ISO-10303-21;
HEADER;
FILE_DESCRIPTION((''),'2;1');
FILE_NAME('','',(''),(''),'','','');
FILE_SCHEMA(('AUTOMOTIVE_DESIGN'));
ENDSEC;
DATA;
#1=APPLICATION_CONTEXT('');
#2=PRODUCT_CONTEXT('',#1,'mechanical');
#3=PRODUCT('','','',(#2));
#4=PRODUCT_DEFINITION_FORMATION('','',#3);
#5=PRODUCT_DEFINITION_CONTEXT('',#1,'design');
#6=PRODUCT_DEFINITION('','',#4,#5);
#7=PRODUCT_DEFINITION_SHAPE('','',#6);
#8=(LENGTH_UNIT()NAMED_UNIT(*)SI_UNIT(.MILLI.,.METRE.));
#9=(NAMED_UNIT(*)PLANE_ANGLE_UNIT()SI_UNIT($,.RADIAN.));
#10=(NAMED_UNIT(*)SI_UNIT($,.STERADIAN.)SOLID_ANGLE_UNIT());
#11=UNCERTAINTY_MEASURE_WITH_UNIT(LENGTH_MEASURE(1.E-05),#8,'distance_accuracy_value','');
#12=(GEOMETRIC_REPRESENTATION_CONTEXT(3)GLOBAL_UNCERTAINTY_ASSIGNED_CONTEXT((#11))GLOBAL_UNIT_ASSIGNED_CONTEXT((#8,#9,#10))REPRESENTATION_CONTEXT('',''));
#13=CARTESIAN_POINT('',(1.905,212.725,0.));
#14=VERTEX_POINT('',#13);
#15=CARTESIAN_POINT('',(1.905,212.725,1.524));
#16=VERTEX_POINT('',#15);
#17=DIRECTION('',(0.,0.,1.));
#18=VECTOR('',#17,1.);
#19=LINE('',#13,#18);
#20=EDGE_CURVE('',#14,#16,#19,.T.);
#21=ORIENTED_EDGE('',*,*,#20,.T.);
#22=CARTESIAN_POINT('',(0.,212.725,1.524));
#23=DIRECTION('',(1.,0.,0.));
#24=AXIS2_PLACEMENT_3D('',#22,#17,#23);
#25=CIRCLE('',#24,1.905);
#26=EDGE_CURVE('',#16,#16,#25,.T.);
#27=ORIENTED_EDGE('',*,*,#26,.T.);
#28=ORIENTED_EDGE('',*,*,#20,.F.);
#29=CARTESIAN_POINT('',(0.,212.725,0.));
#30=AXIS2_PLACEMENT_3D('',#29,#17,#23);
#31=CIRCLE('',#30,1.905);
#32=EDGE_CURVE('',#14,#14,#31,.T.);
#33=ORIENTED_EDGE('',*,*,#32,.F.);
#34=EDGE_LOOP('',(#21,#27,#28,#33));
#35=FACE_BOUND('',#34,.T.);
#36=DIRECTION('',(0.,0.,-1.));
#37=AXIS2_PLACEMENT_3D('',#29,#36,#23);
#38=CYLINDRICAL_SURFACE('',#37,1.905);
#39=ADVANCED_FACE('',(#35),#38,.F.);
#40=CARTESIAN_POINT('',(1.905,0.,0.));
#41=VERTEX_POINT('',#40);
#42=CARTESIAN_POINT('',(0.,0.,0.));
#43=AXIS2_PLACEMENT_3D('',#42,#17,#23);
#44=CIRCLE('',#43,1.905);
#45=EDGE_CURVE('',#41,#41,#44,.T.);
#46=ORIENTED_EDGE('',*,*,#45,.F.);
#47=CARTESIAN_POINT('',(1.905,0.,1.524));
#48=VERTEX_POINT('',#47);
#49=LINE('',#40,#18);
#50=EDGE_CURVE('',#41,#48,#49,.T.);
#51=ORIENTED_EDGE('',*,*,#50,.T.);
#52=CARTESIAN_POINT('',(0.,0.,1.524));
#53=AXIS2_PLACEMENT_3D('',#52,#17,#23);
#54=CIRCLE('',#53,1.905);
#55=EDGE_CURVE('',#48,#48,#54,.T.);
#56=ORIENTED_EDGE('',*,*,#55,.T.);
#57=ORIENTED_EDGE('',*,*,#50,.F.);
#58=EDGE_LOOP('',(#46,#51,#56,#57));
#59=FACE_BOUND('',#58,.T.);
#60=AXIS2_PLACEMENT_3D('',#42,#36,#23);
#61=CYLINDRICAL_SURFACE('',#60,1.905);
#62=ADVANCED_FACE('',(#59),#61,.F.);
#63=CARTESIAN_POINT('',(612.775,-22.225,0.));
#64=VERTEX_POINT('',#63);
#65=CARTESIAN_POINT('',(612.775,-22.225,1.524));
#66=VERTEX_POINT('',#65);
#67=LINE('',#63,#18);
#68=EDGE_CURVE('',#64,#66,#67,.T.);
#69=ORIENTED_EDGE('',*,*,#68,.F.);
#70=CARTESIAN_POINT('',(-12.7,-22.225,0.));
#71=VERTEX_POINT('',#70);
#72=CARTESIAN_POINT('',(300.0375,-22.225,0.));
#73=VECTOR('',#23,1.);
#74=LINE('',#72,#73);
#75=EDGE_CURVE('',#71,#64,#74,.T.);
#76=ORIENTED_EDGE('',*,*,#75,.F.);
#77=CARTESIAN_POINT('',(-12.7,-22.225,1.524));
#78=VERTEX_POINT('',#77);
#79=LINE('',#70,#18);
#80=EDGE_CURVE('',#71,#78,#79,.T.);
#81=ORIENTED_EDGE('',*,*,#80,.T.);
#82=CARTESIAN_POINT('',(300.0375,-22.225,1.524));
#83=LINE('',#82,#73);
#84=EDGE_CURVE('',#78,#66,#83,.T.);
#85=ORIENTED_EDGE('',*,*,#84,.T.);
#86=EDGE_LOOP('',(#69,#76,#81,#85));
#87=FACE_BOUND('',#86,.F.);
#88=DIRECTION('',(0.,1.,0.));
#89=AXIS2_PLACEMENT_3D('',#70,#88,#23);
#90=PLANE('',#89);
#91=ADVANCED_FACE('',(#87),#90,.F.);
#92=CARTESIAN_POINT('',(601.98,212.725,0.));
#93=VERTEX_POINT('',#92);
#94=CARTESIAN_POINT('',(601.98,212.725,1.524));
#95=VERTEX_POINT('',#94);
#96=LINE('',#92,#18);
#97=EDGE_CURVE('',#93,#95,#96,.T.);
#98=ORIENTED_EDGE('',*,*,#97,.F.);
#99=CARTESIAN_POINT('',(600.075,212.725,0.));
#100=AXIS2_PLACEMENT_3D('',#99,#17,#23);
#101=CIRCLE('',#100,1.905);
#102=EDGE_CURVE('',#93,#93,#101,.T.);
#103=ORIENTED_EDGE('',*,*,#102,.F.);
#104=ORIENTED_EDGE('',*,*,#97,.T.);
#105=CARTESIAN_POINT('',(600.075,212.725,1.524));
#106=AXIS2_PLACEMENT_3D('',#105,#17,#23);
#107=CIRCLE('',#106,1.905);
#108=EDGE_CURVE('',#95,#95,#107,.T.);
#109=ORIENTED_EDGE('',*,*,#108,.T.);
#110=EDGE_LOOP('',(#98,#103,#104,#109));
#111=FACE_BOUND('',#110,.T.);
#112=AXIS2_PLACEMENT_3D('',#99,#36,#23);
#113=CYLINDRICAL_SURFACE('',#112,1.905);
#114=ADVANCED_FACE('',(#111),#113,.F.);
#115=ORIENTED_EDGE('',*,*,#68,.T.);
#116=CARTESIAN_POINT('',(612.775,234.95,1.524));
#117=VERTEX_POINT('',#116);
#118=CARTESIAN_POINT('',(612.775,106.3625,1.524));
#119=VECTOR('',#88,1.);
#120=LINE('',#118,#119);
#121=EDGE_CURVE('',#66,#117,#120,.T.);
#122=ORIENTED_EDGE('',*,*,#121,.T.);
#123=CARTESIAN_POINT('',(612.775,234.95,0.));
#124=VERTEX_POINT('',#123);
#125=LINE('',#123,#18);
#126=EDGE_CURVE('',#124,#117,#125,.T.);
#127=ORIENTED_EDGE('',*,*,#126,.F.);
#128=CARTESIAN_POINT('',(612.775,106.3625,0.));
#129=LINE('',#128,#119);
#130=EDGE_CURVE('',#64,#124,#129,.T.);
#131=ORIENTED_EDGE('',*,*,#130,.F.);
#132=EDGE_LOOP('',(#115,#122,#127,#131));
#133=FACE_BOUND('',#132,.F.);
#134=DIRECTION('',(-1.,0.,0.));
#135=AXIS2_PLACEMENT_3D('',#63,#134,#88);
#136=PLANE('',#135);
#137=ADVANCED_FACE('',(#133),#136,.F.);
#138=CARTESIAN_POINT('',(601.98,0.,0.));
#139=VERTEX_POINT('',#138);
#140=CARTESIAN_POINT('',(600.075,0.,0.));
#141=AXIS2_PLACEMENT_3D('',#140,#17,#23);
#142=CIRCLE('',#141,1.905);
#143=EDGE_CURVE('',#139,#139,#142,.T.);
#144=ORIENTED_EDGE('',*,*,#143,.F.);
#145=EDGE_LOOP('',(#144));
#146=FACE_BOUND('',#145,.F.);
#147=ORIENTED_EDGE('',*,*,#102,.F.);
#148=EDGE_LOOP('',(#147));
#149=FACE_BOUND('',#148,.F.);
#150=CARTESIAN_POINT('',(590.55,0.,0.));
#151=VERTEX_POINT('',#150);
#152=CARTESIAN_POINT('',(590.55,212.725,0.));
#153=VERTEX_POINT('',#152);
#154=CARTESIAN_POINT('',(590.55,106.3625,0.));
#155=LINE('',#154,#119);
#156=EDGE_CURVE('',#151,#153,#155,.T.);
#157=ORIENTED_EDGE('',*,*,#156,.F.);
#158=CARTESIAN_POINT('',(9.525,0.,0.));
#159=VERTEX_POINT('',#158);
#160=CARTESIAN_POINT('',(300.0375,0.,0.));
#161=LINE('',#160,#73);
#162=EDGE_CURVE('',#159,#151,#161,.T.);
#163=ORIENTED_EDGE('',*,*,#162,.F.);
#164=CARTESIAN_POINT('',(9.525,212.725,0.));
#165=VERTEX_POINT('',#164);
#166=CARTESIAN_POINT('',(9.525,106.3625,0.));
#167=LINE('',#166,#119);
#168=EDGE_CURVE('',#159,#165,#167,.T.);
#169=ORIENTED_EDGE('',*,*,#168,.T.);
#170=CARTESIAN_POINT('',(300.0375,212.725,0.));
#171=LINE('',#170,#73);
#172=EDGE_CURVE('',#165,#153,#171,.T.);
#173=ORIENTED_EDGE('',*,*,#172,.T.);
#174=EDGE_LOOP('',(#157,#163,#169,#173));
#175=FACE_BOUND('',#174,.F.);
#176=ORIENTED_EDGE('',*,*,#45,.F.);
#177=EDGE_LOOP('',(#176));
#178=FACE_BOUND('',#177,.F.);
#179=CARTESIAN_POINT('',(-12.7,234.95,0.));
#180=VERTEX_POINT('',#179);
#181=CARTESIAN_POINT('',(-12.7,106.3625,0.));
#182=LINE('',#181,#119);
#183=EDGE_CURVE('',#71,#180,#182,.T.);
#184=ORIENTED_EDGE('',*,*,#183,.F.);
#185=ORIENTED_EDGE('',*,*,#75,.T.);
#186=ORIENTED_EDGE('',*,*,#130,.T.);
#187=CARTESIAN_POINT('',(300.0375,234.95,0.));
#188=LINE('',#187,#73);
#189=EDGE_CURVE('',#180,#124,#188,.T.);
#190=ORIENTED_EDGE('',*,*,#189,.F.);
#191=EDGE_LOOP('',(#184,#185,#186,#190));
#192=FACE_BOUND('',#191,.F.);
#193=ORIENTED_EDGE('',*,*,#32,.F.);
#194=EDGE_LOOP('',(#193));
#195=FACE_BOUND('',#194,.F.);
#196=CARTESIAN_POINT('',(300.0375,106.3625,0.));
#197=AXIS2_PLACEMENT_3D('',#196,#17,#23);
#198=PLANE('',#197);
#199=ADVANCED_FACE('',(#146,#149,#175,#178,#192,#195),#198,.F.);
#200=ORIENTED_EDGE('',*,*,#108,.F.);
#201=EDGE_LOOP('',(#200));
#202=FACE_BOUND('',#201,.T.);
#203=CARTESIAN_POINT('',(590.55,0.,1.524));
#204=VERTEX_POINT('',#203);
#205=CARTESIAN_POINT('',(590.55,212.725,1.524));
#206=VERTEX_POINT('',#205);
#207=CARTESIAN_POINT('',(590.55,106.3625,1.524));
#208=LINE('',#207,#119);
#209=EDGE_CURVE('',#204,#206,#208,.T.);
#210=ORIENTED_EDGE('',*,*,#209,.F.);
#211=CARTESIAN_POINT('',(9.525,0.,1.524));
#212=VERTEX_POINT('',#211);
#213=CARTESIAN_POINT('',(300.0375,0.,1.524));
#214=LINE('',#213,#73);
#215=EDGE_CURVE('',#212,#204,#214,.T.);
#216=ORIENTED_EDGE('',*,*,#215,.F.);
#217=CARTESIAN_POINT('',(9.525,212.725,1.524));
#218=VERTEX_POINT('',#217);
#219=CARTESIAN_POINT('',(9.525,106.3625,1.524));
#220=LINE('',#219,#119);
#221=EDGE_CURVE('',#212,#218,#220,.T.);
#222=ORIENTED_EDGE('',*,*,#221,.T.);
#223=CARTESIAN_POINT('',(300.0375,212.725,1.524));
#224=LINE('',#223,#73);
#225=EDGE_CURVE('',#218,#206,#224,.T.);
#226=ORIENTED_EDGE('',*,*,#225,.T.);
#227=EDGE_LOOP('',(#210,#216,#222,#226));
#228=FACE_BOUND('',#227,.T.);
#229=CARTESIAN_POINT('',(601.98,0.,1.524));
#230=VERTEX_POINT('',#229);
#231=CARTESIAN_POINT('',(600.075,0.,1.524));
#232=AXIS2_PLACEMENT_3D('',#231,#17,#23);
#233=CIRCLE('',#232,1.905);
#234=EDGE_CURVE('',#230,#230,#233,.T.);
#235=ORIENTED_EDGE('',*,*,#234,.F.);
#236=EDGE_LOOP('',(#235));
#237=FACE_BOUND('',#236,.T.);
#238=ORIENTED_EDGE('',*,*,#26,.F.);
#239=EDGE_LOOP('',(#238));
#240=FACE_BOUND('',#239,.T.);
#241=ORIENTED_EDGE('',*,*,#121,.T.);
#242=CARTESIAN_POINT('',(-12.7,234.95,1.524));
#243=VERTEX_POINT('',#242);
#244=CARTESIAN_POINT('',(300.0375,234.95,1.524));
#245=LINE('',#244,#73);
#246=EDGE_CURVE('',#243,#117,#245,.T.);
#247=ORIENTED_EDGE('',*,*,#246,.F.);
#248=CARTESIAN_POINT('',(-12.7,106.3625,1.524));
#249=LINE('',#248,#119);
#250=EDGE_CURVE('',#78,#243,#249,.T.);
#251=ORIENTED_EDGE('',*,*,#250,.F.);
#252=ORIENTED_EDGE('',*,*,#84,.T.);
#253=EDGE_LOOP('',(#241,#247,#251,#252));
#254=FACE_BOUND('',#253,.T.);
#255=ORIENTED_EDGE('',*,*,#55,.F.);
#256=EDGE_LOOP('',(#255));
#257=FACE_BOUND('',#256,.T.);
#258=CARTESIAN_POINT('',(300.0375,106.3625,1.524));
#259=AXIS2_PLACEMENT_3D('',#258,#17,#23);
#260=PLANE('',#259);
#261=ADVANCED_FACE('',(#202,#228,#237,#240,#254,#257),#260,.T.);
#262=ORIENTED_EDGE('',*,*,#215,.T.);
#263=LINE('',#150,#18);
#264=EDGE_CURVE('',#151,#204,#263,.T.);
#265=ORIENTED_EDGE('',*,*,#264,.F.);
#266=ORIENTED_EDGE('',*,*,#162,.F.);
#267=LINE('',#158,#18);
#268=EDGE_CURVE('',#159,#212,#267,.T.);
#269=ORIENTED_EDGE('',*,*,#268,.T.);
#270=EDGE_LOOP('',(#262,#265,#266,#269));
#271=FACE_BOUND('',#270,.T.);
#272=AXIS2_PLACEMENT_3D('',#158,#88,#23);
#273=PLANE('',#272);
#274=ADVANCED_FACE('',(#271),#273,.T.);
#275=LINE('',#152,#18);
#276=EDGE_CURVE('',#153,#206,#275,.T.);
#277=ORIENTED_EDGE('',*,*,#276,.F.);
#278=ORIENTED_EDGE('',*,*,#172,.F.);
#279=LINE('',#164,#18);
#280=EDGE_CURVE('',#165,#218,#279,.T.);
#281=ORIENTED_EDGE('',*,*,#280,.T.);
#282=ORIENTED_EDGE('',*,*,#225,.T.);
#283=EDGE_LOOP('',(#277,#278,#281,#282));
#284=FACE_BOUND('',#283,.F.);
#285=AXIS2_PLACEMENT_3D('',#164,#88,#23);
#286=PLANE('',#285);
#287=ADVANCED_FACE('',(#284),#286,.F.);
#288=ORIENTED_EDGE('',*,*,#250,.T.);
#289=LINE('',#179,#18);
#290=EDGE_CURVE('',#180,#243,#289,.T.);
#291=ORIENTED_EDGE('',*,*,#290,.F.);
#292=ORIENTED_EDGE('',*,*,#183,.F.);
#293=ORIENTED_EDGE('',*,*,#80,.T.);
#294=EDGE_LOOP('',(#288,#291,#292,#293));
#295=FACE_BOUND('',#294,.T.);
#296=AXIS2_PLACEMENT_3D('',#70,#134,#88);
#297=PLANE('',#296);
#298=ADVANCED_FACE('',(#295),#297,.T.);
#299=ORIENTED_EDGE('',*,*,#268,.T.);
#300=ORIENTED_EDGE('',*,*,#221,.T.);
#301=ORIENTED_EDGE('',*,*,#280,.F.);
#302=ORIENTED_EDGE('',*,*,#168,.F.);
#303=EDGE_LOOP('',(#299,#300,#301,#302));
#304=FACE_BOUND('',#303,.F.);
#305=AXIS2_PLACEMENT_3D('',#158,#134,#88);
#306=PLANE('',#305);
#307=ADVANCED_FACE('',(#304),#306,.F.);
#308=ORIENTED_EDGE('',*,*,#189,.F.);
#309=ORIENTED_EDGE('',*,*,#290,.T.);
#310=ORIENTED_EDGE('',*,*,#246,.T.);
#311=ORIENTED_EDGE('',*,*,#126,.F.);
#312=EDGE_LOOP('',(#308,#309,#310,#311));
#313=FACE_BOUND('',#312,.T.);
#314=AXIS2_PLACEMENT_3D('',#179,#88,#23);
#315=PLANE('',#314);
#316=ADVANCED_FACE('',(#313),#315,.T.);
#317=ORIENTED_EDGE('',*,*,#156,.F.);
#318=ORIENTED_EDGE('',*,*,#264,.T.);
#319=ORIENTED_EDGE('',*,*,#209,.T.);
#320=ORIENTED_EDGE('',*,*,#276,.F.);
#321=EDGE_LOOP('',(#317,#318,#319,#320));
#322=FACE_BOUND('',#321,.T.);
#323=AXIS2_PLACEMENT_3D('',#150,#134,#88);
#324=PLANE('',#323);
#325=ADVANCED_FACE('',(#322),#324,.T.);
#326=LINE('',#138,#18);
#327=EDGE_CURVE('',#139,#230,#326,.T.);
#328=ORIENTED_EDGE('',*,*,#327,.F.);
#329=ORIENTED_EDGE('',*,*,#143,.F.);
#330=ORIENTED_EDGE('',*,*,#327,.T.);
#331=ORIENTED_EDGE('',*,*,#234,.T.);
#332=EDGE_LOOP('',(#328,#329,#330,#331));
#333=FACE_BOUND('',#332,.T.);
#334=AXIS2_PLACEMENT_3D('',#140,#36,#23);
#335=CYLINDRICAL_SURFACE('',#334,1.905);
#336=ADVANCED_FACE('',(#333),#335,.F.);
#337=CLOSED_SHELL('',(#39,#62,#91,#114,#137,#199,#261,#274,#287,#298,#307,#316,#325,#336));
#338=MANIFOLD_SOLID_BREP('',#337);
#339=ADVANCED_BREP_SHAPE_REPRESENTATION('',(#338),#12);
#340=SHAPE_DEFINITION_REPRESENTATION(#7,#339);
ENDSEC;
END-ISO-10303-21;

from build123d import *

# Parameters (mm, degrees)
F0_W     = 625.475
F0_H     = 257.175
F0_R     = 1.905
F0_W_2   = 581.025
F0_H_2   = 212.725
F1_DEPTH = 1.524


with BuildPart() as f1:
    # F0 (on Top) → F1 (new body)
    with BuildSketch(Plane.XY):
        with Locations((300.0375, 106.3625)):
            Rectangle(F0_W, F0_H)
        Circle(F0_R, mode=Mode.SUBTRACT)
        with Locations((600.075, 0)):
            Circle(F0_R, mode=Mode.SUBTRACT)
        with Locations((300.0375, 106.3625)):
            Rectangle(F0_W_2, F0_H_2, mode=Mode.SUBTRACT)
        with Locations((0, 212.725)):
            Circle(F0_R, mode=Mode.SUBTRACT)
        with Locations((600.075, 212.725)):
            Circle(F0_R, mode=Mode.SUBTRACT)
    extrude(amount=F1_DEPTH)


solid = f1.part
